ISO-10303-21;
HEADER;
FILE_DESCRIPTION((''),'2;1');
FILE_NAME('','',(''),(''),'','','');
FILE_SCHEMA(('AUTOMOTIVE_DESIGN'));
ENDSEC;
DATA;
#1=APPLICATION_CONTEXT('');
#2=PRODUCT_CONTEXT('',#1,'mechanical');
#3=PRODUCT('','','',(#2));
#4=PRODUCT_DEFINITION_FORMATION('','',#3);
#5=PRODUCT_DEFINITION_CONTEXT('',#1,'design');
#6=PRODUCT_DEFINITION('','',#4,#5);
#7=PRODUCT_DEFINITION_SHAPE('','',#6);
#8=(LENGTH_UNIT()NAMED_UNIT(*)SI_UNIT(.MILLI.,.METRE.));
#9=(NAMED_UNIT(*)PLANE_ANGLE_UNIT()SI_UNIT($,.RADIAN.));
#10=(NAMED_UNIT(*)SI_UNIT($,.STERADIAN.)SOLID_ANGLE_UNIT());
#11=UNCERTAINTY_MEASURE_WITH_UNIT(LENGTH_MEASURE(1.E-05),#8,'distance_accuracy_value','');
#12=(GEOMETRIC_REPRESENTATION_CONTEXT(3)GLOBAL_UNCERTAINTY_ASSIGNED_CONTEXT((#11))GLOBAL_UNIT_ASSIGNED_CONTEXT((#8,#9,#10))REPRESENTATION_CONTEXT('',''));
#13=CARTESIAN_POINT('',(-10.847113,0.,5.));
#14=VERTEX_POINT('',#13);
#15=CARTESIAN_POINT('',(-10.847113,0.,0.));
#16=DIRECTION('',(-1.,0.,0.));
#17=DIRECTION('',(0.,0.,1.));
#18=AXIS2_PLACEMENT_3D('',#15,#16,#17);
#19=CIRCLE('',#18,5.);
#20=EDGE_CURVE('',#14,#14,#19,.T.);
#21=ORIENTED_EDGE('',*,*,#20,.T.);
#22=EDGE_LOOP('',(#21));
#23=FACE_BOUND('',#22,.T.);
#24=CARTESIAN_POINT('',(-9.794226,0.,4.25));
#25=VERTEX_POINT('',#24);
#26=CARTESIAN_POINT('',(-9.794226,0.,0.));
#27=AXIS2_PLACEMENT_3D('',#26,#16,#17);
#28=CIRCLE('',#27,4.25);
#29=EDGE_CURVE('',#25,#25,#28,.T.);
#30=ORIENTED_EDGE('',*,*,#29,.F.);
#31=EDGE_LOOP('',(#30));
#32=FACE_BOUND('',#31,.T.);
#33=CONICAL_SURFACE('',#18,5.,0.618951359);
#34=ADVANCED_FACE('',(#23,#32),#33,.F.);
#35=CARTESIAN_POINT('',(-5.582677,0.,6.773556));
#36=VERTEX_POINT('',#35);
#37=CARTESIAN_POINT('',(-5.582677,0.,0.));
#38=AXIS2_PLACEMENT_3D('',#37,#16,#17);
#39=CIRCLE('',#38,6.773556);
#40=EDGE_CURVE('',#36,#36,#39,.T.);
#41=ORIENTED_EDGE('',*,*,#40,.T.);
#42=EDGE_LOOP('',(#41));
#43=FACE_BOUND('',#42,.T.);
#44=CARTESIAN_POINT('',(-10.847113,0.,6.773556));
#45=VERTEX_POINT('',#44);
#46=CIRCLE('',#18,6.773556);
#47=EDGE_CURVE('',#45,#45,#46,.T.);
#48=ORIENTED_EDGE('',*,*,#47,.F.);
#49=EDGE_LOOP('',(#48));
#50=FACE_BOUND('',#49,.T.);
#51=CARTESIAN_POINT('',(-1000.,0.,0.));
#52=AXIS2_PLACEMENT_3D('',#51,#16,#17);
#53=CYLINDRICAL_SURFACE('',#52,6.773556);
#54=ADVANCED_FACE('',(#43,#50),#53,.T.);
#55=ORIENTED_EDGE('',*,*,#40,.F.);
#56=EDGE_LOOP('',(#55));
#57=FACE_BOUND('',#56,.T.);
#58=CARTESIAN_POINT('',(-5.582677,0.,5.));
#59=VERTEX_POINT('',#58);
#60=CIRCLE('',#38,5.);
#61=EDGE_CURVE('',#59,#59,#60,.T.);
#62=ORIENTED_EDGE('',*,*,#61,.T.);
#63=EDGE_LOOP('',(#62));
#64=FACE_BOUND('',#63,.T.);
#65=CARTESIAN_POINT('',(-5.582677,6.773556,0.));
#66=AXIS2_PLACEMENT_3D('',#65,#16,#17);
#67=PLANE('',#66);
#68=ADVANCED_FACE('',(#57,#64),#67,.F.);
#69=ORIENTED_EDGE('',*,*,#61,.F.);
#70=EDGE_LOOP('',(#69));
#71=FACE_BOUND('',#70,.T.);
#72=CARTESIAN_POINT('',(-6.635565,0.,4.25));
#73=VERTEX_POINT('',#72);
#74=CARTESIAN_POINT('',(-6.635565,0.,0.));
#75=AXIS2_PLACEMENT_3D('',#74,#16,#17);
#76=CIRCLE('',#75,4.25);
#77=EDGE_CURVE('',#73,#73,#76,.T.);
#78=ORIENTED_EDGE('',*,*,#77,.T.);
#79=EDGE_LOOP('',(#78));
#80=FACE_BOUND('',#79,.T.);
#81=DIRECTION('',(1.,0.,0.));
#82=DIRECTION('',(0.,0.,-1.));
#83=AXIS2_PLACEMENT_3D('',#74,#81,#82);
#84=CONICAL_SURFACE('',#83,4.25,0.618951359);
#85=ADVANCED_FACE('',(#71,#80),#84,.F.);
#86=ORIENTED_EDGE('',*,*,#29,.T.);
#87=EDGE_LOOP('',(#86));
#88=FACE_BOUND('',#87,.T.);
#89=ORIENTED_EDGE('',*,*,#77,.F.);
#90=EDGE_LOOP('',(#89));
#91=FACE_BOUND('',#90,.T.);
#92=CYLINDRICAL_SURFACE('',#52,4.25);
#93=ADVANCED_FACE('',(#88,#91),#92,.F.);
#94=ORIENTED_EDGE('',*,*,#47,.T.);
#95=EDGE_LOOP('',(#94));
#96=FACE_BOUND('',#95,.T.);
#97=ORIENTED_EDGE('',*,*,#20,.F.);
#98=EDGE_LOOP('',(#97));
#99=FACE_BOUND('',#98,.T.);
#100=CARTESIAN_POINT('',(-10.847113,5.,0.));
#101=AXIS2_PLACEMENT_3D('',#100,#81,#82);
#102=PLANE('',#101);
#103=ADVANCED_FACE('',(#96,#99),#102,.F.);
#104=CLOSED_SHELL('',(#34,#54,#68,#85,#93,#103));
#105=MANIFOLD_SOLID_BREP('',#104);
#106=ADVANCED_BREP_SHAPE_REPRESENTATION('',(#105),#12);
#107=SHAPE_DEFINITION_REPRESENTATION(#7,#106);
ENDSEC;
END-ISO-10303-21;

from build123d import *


with BuildPart() as part:
    # Эскиз1 → Повернуть1 (revolve)
    with BuildSketch(Plane.XY, mode=Mode.PRIVATE) as revolve_1_sk:
        Polygon((-10.847112909, 5), (-10.847112909, 6.773556454), (-5.582677453, 6.773556454), (-5.582677453, 5), (-6.635564544, 4.25), (-9.794225818, 4.25), align=None)
    revolve(revolve_1_sk.sketch.rotate(Axis((-1000, 0, 0), (1, 0, 0)), 90), axis=Axis((-1000, 0, 0), (1, 0, 0)))


solid = part.part
